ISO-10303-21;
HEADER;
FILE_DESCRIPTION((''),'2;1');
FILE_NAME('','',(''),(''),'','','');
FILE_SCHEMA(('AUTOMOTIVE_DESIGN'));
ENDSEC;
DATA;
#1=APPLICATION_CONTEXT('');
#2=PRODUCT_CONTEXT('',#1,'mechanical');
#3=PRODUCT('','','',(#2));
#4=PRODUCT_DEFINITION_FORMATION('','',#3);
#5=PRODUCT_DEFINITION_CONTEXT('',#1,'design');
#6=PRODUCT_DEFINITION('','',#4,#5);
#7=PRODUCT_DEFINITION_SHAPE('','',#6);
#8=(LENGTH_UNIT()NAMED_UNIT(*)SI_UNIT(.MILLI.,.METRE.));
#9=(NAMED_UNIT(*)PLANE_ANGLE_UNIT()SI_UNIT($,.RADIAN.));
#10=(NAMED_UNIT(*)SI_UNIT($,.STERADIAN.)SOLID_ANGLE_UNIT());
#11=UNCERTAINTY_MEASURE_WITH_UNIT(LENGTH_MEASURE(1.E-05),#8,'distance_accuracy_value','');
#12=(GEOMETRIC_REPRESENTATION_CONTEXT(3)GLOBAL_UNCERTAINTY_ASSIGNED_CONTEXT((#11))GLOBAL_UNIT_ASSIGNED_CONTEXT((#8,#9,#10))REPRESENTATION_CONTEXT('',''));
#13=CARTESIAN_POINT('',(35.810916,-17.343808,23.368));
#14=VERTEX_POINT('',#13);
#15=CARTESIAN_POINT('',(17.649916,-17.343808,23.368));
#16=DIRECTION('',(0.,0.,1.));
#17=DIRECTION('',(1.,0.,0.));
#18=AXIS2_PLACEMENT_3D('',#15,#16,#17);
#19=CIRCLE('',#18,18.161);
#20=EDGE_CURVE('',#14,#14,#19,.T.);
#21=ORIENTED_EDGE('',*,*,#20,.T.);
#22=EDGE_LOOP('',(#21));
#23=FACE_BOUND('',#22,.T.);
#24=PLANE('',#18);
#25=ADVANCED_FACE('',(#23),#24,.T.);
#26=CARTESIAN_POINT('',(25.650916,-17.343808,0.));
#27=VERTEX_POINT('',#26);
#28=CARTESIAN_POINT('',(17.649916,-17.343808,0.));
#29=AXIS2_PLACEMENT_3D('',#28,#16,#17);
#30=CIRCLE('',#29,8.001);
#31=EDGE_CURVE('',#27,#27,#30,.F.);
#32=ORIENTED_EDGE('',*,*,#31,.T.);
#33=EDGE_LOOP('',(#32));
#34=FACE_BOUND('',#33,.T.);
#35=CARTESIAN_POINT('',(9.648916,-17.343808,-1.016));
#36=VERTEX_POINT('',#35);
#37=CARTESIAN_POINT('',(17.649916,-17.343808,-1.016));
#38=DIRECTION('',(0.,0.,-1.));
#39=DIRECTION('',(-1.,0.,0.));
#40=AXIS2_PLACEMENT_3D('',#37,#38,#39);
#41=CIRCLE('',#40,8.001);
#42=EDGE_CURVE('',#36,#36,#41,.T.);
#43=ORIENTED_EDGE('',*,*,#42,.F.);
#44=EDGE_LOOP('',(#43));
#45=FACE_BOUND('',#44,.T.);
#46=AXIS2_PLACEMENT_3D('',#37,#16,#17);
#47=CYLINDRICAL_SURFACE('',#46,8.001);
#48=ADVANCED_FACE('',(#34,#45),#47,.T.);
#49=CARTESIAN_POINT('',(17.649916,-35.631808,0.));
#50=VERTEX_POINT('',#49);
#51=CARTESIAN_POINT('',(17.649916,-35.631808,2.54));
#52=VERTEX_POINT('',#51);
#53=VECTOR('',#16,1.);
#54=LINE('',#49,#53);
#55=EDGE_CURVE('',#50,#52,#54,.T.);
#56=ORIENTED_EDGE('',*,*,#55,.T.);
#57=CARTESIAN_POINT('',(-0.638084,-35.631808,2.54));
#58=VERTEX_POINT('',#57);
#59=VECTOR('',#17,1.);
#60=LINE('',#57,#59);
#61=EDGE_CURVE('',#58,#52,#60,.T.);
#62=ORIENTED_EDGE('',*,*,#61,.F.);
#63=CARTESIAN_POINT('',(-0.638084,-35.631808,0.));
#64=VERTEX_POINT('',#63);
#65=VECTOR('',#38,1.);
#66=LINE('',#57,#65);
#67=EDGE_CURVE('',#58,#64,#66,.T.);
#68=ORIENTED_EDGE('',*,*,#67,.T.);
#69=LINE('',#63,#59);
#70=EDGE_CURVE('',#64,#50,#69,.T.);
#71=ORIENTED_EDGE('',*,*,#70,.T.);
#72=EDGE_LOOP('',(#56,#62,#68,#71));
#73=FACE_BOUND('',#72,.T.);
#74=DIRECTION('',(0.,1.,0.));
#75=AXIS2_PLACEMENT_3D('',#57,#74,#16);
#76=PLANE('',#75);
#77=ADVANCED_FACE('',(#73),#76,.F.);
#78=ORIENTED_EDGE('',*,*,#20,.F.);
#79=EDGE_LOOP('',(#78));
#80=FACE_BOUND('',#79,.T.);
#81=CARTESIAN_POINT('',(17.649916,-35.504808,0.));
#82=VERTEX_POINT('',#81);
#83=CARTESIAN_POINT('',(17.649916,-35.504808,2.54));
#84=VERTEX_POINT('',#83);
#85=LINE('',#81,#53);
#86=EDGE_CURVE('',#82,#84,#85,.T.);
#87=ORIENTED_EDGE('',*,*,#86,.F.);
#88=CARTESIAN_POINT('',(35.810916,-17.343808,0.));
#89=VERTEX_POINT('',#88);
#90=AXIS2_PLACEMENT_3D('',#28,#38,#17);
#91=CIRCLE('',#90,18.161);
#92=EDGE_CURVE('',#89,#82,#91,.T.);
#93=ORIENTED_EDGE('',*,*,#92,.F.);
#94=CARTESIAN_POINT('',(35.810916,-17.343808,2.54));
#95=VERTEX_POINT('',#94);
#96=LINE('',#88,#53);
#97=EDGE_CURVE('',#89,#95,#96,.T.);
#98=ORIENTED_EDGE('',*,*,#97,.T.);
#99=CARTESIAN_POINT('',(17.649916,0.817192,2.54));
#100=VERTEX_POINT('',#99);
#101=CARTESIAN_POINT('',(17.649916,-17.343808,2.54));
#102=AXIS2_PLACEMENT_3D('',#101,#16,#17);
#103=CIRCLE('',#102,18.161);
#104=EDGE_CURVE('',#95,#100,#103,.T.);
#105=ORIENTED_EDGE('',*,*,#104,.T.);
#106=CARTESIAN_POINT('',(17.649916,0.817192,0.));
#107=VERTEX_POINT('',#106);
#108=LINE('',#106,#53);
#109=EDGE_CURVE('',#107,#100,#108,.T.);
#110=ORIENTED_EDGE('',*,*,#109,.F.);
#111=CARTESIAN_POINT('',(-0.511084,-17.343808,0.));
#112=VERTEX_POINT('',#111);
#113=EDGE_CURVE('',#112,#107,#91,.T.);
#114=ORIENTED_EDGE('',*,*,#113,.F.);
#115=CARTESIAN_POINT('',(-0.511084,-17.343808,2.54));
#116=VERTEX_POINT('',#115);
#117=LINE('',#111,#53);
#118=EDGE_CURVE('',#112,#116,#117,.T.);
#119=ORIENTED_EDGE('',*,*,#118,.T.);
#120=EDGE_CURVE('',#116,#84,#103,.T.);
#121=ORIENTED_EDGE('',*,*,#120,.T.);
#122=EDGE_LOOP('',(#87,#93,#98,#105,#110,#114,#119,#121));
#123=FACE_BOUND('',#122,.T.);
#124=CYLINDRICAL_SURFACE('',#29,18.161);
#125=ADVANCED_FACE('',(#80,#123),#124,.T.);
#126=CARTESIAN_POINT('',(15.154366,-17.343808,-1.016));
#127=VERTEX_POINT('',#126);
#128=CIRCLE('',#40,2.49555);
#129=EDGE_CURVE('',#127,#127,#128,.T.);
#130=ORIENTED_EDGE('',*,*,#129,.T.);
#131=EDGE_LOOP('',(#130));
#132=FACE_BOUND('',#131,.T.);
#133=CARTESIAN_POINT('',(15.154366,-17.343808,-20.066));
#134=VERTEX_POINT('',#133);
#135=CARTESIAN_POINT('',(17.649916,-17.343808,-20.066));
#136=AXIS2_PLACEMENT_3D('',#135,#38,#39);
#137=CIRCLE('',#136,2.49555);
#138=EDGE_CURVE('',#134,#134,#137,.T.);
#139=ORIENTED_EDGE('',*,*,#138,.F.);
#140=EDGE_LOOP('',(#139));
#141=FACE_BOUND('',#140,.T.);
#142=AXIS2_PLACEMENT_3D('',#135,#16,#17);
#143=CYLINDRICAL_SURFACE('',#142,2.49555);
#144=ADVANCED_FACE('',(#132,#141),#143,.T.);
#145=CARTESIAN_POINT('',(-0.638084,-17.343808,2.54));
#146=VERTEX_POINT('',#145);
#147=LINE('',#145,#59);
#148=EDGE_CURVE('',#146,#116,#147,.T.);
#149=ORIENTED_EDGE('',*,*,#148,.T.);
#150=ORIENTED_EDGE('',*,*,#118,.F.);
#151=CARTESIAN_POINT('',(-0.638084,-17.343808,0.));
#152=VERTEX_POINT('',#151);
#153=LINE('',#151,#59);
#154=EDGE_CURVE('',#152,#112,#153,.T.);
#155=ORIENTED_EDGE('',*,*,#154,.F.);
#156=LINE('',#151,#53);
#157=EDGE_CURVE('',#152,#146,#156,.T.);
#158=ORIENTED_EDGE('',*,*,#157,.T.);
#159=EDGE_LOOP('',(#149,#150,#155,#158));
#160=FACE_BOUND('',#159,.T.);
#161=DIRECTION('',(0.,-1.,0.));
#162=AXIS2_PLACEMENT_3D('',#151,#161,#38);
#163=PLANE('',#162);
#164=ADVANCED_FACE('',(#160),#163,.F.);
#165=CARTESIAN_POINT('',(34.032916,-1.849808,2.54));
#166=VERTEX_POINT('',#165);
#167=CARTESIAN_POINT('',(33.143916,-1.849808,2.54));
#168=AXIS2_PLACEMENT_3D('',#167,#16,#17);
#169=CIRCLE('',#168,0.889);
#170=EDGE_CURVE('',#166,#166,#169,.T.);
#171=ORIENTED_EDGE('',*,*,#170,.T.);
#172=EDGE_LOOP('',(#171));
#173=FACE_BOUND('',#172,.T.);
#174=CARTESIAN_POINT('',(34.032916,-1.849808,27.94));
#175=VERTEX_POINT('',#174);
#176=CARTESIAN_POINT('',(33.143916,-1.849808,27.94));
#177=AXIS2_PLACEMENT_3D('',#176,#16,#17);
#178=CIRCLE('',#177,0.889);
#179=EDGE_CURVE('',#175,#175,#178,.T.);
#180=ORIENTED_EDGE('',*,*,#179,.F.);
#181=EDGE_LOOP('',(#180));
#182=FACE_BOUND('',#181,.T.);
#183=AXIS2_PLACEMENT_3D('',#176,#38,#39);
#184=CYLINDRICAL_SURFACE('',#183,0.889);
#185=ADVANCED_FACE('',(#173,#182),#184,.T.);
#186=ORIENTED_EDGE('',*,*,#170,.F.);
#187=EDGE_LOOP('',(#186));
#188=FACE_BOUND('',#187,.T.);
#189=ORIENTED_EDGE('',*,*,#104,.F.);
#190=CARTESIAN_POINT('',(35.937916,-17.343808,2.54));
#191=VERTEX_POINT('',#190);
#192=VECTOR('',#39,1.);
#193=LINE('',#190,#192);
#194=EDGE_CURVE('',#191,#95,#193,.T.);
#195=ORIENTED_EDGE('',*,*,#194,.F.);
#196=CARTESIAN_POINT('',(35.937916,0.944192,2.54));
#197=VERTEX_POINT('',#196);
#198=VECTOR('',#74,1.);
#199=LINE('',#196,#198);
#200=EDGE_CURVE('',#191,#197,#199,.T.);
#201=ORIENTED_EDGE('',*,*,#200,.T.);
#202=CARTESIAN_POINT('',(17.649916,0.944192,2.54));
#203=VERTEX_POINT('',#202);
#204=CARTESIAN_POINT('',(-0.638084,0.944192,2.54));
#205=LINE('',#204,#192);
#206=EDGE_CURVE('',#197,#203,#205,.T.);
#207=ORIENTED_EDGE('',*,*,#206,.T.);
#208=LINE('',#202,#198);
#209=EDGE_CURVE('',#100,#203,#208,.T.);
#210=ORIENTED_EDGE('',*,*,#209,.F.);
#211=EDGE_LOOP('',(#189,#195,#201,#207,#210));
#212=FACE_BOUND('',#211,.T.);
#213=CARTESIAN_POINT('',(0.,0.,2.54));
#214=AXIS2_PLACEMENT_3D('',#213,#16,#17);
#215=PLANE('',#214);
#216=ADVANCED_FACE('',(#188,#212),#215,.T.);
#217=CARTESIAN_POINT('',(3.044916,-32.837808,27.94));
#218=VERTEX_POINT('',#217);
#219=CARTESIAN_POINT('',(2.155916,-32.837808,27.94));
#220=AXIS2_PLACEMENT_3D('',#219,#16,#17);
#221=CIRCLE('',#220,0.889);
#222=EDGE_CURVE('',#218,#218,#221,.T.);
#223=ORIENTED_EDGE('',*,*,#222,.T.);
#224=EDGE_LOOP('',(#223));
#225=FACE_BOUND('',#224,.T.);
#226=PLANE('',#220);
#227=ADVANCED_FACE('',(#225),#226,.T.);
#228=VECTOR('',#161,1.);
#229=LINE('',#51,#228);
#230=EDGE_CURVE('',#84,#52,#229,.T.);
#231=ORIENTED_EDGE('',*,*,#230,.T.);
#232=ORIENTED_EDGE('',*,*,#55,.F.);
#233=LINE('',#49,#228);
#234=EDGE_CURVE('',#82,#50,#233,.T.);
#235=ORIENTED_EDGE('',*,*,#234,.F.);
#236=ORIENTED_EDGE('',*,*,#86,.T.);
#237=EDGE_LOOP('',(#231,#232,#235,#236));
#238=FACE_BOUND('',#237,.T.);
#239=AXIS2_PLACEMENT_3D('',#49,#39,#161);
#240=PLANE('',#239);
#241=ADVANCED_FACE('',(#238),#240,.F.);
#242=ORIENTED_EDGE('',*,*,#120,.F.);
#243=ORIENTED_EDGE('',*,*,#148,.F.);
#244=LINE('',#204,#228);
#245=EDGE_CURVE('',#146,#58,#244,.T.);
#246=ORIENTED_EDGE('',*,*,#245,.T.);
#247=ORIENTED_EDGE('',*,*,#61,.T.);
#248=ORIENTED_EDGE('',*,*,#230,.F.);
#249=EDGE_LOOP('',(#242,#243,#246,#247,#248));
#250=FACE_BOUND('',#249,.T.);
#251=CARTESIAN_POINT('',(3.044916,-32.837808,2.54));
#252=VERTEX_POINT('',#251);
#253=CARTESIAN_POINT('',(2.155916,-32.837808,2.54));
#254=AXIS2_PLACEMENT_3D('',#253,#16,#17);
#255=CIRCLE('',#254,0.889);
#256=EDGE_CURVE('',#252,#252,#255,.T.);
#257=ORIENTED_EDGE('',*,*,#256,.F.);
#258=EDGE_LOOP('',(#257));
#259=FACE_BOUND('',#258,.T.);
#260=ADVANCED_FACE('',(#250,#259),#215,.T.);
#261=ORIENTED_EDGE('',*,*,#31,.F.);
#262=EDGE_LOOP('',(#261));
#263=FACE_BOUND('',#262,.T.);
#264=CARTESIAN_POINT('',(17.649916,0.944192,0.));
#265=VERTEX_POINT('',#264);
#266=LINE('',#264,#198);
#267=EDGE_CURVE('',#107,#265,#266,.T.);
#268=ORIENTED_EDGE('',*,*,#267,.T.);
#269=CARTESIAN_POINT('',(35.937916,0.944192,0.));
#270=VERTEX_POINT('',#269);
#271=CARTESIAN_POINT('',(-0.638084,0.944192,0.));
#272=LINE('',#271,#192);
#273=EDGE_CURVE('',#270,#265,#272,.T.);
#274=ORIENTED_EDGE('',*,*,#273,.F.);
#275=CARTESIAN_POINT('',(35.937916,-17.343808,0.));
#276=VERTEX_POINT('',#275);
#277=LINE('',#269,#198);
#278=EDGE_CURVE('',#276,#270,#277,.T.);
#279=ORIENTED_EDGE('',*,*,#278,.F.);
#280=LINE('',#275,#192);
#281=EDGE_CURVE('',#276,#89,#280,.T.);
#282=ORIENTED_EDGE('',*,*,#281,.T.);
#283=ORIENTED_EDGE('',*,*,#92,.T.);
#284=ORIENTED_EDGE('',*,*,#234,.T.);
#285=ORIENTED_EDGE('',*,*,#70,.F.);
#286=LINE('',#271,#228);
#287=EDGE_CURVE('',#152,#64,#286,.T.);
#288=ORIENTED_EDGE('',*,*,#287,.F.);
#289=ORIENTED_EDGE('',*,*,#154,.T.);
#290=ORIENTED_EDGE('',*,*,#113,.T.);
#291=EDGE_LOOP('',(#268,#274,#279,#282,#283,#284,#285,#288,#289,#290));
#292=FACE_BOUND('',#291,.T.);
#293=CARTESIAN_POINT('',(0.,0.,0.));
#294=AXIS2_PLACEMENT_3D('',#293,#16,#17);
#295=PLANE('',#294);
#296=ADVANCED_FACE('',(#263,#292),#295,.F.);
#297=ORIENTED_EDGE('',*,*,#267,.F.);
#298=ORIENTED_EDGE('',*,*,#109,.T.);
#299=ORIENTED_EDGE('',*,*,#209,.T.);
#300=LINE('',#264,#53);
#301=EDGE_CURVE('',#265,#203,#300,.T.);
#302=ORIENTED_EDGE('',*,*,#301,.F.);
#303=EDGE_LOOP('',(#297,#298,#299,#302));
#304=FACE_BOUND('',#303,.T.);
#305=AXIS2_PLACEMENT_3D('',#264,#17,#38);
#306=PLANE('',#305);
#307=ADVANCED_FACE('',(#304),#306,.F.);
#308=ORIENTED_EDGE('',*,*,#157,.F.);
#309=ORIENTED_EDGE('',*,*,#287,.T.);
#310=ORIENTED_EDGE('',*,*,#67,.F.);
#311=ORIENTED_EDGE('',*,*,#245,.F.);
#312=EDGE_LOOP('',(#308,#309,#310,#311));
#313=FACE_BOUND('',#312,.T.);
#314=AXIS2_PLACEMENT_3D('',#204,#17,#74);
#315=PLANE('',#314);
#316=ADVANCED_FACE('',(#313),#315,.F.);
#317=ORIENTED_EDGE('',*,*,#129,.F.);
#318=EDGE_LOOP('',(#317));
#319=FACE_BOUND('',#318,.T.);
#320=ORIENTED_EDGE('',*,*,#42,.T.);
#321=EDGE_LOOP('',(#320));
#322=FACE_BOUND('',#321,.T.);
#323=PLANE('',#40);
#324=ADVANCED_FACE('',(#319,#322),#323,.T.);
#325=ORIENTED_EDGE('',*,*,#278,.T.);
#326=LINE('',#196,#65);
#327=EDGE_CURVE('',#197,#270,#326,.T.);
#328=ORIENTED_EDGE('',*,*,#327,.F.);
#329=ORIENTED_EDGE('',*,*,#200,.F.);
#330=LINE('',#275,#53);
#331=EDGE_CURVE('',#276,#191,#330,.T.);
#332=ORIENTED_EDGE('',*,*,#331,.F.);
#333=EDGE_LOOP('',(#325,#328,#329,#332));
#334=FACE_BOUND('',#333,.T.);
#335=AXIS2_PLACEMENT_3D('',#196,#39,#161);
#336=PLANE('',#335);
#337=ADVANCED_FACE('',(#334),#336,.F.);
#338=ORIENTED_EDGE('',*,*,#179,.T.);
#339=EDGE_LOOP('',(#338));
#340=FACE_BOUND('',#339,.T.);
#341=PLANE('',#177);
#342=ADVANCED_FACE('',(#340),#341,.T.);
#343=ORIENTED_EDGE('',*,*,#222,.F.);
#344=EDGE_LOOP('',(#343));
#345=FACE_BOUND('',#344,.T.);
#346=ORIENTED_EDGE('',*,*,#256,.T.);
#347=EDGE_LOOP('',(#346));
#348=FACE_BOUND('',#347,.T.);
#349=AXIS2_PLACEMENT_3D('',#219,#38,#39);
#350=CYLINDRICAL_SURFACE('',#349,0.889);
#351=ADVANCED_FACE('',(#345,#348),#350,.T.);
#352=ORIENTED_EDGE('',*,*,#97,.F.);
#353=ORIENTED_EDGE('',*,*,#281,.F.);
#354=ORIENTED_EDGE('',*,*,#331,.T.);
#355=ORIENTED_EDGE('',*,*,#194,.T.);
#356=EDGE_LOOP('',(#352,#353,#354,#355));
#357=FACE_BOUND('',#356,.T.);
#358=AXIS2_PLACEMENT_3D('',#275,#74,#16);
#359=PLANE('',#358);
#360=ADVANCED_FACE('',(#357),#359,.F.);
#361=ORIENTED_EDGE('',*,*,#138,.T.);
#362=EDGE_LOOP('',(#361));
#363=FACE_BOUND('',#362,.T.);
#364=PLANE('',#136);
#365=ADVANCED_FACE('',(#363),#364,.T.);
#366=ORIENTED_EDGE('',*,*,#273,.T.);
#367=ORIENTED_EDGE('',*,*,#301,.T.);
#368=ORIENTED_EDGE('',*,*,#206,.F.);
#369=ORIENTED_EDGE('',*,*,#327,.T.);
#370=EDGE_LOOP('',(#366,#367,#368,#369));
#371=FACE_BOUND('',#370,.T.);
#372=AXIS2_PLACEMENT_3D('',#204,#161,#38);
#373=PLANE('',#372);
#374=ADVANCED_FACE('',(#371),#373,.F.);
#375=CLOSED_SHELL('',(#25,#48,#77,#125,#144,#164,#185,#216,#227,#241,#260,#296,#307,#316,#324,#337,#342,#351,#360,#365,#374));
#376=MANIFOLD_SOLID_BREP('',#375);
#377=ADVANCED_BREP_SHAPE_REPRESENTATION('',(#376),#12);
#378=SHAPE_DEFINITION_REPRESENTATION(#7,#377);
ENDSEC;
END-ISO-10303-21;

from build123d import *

# Parameters (mm, degrees)
SKETCH1_W           = 36.576
SKETCH1_H           = 36.576
BOSS_EXTRUDE1_DEPTH = 2.54
SKETCH2_R           = 0.889
BOSS_EXTRUDE2_DEPTH = 25.4
CUT_EXTRUDE4_DEPTH  = 3.54
SKETCH4_R           = 8.001
BOSS_EXTRUDE3_DEPTH = 1.016
SKETCH5_R           = 2.49555
BOSS_EXTRUDE4_DEPTH = 19.05
SKETCH6_R           = 18.161
BOSS_EXTRUDE5_DEPTH = 20.828


with BuildPart() as part:
    # Sketch1 → Boss-Extrude1 (new body)
    with BuildSketch(Plane.XY):
        with Locations((17.649916168, -17.343808383)):
            Rectangle(SKETCH1_W, SKETCH1_H)
    extrude(amount=BOSS_EXTRUDE1_DEPTH)

    # Sketch2 → Boss-Extrude2 (add)
    with BuildSketch(Plane.XY.offset(2.54)):
        with Locations((33.143916168, -1.849808383)):
            Circle(SKETCH2_R)
        with Locations((2.155916168, -32.837808383)):
            Circle(SKETCH2_R)
    extrude(amount=BOSS_EXTRUDE2_DEPTH)

    # Sketch3 → Cut-Extrude4 (cut, through all)
    with BuildSketch(Plane.XY.offset(2.54)):
        with BuildLine():
            Line((-0.638083832, 0.944191617), (-0.638083832, -17.343808383))
            Line((-0.638083832, -17.343808383), (-0.511083832, -17.343808383))
            ThreePointArc((-0.511083832, -17.343808383), (4.808149915, -4.50204213), (17.649916168, 0.817191617))
            Line((17.649916168, 0.817191617), (17.649916168, 0.944191617))
            Line((17.649916168, 0.944191617), (-0.638083832, 0.944191617))
        make_face()
        with BuildLine():
            Line((35.937916168, -35.631808383), (17.649916168, -35.631808383))
            Line((17.649916168, -35.631808383), (17.649916168, -35.504808383))
            ThreePointArc((17.649916168, -35.504808383), (30.491682421, -30.185574636), (35.810916168, -17.343808383))
            Line((35.810916168, -17.343808383), (35.937916168, -17.343808383))
            Line((35.937916168, -17.343808383), (35.937916168, -35.631808383))
        make_face()
    extrude(amount=-CUT_EXTRUDE4_DEPTH, mode=Mode.SUBTRACT)

    # Sketch4 → Boss-Extrude3 (add)
    with BuildSketch(Plane(origin=(0, 0, 0), x_dir=(-1, 0, 0), z_dir=(0, 0, -1))):
        with Locations((-17.649916168, -17.343808383)):
            Circle(SKETCH4_R)
    extrude(amount=BOSS_EXTRUDE3_DEPTH)

    # Sketch5 → Boss-Extrude4 (add)
    with BuildSketch(Plane(origin=(0, 0, -1.016), x_dir=(-1, 0, 0), z_dir=(0, 0, -1))):
        with Locations((-17.649916168, -17.343808383)):
            Circle(SKETCH5_R)
    extrude(amount=BOSS_EXTRUDE4_DEPTH)

    # Sketch6 → Boss-Extrude5 (add)
    with BuildSketch(Plane.XY.offset(2.54)):
        with Locations((17.649916168, -17.343808383)):
            Circle(SKETCH6_R)
    extrude(amount=BOSS_EXTRUDE5_DEPTH)


solid = part.part
